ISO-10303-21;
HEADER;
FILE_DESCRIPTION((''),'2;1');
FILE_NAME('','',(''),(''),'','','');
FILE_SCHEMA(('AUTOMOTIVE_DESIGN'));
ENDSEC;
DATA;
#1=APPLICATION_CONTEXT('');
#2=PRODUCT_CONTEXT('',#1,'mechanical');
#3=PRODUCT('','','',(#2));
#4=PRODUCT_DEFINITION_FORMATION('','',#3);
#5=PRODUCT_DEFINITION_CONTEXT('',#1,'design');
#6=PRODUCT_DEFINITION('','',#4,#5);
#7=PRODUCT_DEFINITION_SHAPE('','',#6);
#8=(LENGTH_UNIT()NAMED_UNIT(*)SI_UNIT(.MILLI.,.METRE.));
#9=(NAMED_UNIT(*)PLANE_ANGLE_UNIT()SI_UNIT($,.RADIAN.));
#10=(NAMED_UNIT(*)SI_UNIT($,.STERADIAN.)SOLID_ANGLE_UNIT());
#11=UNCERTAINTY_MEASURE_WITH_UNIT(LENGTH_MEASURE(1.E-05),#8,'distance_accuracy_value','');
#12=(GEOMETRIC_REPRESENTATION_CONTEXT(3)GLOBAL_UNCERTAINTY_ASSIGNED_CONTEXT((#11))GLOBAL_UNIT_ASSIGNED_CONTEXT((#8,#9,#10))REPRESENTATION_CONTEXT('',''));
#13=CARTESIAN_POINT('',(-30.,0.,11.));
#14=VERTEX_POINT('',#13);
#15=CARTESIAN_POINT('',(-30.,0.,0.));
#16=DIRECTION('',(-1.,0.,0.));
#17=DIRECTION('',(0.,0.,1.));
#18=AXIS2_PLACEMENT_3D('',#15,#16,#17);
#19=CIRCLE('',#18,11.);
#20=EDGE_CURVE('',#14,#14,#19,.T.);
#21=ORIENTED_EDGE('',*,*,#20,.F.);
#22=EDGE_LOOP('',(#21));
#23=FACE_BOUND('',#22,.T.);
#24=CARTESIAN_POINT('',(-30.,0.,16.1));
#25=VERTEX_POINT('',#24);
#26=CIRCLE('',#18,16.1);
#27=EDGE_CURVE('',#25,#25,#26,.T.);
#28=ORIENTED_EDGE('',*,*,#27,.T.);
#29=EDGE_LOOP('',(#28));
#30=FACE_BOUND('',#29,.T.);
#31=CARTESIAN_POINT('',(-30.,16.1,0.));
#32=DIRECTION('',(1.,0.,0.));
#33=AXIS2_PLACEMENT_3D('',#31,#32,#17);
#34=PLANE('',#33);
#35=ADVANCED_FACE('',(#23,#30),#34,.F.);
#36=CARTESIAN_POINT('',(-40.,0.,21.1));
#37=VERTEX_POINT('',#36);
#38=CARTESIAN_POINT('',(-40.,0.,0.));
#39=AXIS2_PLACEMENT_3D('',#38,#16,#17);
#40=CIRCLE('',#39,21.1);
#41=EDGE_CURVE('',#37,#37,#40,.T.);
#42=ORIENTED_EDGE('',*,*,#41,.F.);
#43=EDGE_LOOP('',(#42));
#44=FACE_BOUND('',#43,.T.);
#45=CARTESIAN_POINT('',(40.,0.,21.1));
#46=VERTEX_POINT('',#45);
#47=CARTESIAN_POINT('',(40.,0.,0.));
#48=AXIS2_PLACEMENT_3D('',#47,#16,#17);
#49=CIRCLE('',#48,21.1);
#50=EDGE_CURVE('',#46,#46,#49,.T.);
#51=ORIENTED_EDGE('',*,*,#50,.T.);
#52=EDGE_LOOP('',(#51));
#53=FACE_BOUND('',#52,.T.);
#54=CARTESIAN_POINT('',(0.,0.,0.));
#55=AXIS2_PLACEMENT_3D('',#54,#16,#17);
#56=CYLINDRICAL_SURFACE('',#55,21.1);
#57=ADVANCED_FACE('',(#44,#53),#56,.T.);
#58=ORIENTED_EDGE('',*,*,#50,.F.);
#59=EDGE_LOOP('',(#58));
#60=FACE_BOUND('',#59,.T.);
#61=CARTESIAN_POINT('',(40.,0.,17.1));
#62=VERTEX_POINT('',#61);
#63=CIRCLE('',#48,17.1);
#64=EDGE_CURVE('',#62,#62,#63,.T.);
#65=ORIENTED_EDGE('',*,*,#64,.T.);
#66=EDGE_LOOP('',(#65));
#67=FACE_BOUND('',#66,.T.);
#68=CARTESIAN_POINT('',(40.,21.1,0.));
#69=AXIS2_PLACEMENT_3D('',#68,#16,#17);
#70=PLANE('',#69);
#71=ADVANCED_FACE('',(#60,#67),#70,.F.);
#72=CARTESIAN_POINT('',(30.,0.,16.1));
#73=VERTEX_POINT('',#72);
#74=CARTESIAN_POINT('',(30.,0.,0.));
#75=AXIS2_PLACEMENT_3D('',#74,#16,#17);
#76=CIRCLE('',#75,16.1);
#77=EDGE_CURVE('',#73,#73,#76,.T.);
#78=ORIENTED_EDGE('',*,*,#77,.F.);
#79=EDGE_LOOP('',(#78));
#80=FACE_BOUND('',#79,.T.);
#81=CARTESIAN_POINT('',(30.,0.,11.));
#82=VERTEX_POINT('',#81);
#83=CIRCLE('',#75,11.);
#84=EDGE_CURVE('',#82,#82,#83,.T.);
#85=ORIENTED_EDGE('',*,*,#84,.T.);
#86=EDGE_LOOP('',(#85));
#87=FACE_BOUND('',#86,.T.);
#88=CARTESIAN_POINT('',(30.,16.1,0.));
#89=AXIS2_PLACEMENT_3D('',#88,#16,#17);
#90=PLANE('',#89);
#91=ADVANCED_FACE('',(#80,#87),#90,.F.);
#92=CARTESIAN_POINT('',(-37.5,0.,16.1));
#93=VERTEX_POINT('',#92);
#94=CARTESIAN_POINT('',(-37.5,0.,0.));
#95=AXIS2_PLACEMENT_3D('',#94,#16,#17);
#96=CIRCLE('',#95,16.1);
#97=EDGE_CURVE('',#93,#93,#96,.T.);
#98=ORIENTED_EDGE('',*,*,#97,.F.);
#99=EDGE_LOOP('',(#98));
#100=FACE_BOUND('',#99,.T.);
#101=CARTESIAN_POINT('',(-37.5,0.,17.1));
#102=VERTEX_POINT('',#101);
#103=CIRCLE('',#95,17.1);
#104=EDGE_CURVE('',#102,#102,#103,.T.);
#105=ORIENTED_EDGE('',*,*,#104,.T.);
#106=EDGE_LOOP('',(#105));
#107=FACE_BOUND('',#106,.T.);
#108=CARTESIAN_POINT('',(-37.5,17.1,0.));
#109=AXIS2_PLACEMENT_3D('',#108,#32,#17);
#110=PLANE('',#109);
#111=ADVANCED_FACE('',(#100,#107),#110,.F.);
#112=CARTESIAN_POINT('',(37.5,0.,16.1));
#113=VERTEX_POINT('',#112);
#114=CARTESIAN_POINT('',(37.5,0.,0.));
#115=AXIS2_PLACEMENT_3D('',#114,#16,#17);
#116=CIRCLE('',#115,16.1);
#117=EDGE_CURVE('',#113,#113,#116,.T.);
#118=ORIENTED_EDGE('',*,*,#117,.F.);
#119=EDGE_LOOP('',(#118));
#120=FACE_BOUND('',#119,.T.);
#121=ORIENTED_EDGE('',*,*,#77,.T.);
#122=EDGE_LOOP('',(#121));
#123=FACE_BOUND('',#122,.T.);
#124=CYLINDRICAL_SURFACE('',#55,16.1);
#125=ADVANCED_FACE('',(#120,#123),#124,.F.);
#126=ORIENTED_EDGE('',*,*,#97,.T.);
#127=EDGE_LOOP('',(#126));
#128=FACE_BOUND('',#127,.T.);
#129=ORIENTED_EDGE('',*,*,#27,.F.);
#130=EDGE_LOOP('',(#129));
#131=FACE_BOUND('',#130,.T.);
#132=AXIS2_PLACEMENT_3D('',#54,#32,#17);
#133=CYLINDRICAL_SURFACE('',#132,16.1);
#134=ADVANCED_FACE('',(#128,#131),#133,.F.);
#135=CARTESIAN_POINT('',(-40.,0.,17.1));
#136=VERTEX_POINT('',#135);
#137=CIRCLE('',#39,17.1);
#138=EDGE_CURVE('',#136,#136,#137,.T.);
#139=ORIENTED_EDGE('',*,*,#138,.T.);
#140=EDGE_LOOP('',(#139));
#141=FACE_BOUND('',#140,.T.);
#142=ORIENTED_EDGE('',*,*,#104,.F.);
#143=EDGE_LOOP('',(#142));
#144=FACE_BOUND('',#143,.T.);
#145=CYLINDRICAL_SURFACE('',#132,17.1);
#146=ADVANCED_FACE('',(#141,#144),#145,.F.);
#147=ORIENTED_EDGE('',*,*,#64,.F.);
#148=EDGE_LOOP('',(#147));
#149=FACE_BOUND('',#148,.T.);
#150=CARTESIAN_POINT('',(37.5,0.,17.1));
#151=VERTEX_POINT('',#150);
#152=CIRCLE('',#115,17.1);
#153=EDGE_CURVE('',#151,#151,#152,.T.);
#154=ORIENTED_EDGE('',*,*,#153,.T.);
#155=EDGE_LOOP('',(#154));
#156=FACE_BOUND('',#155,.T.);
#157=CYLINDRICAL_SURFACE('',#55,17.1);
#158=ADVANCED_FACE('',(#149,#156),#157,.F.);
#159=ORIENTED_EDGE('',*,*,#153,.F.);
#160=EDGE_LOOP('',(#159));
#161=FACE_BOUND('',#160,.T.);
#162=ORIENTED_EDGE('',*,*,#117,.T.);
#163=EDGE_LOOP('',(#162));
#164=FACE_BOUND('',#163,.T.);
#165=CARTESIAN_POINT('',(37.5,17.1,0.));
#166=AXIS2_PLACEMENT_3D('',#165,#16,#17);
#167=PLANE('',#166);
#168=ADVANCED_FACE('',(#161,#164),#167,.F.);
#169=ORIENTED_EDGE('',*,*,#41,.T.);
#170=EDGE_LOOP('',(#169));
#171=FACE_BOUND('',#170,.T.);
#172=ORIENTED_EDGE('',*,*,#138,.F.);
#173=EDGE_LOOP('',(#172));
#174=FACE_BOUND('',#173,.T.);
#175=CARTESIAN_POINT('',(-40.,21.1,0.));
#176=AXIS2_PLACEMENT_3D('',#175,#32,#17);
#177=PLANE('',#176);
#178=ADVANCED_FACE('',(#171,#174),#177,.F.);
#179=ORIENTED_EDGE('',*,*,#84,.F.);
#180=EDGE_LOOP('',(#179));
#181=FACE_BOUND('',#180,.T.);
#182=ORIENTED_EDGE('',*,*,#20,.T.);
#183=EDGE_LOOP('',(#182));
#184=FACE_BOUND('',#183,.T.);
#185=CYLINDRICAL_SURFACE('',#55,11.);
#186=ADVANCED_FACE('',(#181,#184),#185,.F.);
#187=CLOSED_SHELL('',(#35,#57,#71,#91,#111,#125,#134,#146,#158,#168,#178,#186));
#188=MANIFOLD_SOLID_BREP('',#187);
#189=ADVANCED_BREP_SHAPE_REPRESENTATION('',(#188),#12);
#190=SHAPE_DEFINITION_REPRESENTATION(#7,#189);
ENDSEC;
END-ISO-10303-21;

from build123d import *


with BuildPart() as part:
    # Sketch1 → Revolve1 (revolve)
    with BuildSketch(Plane.XY):
        Polygon((0, 21.1), (40, 21.1), (40, 17.1), (37.5, 17.1), (37.5, 16.1), (30, 16.1), (30, 11), (0, 11), align=None)
    revolve1 = revolve(axis=Axis((0, 0, 0), (1, 0, 0)))

    # Mirror1: Revolve1 across plane
    add(revolve1.mirror(Plane(origin=(0, 0, 0), x_dir=(0, 0, 1), z_dir=(1, 0, 0))))


solid = part.part
